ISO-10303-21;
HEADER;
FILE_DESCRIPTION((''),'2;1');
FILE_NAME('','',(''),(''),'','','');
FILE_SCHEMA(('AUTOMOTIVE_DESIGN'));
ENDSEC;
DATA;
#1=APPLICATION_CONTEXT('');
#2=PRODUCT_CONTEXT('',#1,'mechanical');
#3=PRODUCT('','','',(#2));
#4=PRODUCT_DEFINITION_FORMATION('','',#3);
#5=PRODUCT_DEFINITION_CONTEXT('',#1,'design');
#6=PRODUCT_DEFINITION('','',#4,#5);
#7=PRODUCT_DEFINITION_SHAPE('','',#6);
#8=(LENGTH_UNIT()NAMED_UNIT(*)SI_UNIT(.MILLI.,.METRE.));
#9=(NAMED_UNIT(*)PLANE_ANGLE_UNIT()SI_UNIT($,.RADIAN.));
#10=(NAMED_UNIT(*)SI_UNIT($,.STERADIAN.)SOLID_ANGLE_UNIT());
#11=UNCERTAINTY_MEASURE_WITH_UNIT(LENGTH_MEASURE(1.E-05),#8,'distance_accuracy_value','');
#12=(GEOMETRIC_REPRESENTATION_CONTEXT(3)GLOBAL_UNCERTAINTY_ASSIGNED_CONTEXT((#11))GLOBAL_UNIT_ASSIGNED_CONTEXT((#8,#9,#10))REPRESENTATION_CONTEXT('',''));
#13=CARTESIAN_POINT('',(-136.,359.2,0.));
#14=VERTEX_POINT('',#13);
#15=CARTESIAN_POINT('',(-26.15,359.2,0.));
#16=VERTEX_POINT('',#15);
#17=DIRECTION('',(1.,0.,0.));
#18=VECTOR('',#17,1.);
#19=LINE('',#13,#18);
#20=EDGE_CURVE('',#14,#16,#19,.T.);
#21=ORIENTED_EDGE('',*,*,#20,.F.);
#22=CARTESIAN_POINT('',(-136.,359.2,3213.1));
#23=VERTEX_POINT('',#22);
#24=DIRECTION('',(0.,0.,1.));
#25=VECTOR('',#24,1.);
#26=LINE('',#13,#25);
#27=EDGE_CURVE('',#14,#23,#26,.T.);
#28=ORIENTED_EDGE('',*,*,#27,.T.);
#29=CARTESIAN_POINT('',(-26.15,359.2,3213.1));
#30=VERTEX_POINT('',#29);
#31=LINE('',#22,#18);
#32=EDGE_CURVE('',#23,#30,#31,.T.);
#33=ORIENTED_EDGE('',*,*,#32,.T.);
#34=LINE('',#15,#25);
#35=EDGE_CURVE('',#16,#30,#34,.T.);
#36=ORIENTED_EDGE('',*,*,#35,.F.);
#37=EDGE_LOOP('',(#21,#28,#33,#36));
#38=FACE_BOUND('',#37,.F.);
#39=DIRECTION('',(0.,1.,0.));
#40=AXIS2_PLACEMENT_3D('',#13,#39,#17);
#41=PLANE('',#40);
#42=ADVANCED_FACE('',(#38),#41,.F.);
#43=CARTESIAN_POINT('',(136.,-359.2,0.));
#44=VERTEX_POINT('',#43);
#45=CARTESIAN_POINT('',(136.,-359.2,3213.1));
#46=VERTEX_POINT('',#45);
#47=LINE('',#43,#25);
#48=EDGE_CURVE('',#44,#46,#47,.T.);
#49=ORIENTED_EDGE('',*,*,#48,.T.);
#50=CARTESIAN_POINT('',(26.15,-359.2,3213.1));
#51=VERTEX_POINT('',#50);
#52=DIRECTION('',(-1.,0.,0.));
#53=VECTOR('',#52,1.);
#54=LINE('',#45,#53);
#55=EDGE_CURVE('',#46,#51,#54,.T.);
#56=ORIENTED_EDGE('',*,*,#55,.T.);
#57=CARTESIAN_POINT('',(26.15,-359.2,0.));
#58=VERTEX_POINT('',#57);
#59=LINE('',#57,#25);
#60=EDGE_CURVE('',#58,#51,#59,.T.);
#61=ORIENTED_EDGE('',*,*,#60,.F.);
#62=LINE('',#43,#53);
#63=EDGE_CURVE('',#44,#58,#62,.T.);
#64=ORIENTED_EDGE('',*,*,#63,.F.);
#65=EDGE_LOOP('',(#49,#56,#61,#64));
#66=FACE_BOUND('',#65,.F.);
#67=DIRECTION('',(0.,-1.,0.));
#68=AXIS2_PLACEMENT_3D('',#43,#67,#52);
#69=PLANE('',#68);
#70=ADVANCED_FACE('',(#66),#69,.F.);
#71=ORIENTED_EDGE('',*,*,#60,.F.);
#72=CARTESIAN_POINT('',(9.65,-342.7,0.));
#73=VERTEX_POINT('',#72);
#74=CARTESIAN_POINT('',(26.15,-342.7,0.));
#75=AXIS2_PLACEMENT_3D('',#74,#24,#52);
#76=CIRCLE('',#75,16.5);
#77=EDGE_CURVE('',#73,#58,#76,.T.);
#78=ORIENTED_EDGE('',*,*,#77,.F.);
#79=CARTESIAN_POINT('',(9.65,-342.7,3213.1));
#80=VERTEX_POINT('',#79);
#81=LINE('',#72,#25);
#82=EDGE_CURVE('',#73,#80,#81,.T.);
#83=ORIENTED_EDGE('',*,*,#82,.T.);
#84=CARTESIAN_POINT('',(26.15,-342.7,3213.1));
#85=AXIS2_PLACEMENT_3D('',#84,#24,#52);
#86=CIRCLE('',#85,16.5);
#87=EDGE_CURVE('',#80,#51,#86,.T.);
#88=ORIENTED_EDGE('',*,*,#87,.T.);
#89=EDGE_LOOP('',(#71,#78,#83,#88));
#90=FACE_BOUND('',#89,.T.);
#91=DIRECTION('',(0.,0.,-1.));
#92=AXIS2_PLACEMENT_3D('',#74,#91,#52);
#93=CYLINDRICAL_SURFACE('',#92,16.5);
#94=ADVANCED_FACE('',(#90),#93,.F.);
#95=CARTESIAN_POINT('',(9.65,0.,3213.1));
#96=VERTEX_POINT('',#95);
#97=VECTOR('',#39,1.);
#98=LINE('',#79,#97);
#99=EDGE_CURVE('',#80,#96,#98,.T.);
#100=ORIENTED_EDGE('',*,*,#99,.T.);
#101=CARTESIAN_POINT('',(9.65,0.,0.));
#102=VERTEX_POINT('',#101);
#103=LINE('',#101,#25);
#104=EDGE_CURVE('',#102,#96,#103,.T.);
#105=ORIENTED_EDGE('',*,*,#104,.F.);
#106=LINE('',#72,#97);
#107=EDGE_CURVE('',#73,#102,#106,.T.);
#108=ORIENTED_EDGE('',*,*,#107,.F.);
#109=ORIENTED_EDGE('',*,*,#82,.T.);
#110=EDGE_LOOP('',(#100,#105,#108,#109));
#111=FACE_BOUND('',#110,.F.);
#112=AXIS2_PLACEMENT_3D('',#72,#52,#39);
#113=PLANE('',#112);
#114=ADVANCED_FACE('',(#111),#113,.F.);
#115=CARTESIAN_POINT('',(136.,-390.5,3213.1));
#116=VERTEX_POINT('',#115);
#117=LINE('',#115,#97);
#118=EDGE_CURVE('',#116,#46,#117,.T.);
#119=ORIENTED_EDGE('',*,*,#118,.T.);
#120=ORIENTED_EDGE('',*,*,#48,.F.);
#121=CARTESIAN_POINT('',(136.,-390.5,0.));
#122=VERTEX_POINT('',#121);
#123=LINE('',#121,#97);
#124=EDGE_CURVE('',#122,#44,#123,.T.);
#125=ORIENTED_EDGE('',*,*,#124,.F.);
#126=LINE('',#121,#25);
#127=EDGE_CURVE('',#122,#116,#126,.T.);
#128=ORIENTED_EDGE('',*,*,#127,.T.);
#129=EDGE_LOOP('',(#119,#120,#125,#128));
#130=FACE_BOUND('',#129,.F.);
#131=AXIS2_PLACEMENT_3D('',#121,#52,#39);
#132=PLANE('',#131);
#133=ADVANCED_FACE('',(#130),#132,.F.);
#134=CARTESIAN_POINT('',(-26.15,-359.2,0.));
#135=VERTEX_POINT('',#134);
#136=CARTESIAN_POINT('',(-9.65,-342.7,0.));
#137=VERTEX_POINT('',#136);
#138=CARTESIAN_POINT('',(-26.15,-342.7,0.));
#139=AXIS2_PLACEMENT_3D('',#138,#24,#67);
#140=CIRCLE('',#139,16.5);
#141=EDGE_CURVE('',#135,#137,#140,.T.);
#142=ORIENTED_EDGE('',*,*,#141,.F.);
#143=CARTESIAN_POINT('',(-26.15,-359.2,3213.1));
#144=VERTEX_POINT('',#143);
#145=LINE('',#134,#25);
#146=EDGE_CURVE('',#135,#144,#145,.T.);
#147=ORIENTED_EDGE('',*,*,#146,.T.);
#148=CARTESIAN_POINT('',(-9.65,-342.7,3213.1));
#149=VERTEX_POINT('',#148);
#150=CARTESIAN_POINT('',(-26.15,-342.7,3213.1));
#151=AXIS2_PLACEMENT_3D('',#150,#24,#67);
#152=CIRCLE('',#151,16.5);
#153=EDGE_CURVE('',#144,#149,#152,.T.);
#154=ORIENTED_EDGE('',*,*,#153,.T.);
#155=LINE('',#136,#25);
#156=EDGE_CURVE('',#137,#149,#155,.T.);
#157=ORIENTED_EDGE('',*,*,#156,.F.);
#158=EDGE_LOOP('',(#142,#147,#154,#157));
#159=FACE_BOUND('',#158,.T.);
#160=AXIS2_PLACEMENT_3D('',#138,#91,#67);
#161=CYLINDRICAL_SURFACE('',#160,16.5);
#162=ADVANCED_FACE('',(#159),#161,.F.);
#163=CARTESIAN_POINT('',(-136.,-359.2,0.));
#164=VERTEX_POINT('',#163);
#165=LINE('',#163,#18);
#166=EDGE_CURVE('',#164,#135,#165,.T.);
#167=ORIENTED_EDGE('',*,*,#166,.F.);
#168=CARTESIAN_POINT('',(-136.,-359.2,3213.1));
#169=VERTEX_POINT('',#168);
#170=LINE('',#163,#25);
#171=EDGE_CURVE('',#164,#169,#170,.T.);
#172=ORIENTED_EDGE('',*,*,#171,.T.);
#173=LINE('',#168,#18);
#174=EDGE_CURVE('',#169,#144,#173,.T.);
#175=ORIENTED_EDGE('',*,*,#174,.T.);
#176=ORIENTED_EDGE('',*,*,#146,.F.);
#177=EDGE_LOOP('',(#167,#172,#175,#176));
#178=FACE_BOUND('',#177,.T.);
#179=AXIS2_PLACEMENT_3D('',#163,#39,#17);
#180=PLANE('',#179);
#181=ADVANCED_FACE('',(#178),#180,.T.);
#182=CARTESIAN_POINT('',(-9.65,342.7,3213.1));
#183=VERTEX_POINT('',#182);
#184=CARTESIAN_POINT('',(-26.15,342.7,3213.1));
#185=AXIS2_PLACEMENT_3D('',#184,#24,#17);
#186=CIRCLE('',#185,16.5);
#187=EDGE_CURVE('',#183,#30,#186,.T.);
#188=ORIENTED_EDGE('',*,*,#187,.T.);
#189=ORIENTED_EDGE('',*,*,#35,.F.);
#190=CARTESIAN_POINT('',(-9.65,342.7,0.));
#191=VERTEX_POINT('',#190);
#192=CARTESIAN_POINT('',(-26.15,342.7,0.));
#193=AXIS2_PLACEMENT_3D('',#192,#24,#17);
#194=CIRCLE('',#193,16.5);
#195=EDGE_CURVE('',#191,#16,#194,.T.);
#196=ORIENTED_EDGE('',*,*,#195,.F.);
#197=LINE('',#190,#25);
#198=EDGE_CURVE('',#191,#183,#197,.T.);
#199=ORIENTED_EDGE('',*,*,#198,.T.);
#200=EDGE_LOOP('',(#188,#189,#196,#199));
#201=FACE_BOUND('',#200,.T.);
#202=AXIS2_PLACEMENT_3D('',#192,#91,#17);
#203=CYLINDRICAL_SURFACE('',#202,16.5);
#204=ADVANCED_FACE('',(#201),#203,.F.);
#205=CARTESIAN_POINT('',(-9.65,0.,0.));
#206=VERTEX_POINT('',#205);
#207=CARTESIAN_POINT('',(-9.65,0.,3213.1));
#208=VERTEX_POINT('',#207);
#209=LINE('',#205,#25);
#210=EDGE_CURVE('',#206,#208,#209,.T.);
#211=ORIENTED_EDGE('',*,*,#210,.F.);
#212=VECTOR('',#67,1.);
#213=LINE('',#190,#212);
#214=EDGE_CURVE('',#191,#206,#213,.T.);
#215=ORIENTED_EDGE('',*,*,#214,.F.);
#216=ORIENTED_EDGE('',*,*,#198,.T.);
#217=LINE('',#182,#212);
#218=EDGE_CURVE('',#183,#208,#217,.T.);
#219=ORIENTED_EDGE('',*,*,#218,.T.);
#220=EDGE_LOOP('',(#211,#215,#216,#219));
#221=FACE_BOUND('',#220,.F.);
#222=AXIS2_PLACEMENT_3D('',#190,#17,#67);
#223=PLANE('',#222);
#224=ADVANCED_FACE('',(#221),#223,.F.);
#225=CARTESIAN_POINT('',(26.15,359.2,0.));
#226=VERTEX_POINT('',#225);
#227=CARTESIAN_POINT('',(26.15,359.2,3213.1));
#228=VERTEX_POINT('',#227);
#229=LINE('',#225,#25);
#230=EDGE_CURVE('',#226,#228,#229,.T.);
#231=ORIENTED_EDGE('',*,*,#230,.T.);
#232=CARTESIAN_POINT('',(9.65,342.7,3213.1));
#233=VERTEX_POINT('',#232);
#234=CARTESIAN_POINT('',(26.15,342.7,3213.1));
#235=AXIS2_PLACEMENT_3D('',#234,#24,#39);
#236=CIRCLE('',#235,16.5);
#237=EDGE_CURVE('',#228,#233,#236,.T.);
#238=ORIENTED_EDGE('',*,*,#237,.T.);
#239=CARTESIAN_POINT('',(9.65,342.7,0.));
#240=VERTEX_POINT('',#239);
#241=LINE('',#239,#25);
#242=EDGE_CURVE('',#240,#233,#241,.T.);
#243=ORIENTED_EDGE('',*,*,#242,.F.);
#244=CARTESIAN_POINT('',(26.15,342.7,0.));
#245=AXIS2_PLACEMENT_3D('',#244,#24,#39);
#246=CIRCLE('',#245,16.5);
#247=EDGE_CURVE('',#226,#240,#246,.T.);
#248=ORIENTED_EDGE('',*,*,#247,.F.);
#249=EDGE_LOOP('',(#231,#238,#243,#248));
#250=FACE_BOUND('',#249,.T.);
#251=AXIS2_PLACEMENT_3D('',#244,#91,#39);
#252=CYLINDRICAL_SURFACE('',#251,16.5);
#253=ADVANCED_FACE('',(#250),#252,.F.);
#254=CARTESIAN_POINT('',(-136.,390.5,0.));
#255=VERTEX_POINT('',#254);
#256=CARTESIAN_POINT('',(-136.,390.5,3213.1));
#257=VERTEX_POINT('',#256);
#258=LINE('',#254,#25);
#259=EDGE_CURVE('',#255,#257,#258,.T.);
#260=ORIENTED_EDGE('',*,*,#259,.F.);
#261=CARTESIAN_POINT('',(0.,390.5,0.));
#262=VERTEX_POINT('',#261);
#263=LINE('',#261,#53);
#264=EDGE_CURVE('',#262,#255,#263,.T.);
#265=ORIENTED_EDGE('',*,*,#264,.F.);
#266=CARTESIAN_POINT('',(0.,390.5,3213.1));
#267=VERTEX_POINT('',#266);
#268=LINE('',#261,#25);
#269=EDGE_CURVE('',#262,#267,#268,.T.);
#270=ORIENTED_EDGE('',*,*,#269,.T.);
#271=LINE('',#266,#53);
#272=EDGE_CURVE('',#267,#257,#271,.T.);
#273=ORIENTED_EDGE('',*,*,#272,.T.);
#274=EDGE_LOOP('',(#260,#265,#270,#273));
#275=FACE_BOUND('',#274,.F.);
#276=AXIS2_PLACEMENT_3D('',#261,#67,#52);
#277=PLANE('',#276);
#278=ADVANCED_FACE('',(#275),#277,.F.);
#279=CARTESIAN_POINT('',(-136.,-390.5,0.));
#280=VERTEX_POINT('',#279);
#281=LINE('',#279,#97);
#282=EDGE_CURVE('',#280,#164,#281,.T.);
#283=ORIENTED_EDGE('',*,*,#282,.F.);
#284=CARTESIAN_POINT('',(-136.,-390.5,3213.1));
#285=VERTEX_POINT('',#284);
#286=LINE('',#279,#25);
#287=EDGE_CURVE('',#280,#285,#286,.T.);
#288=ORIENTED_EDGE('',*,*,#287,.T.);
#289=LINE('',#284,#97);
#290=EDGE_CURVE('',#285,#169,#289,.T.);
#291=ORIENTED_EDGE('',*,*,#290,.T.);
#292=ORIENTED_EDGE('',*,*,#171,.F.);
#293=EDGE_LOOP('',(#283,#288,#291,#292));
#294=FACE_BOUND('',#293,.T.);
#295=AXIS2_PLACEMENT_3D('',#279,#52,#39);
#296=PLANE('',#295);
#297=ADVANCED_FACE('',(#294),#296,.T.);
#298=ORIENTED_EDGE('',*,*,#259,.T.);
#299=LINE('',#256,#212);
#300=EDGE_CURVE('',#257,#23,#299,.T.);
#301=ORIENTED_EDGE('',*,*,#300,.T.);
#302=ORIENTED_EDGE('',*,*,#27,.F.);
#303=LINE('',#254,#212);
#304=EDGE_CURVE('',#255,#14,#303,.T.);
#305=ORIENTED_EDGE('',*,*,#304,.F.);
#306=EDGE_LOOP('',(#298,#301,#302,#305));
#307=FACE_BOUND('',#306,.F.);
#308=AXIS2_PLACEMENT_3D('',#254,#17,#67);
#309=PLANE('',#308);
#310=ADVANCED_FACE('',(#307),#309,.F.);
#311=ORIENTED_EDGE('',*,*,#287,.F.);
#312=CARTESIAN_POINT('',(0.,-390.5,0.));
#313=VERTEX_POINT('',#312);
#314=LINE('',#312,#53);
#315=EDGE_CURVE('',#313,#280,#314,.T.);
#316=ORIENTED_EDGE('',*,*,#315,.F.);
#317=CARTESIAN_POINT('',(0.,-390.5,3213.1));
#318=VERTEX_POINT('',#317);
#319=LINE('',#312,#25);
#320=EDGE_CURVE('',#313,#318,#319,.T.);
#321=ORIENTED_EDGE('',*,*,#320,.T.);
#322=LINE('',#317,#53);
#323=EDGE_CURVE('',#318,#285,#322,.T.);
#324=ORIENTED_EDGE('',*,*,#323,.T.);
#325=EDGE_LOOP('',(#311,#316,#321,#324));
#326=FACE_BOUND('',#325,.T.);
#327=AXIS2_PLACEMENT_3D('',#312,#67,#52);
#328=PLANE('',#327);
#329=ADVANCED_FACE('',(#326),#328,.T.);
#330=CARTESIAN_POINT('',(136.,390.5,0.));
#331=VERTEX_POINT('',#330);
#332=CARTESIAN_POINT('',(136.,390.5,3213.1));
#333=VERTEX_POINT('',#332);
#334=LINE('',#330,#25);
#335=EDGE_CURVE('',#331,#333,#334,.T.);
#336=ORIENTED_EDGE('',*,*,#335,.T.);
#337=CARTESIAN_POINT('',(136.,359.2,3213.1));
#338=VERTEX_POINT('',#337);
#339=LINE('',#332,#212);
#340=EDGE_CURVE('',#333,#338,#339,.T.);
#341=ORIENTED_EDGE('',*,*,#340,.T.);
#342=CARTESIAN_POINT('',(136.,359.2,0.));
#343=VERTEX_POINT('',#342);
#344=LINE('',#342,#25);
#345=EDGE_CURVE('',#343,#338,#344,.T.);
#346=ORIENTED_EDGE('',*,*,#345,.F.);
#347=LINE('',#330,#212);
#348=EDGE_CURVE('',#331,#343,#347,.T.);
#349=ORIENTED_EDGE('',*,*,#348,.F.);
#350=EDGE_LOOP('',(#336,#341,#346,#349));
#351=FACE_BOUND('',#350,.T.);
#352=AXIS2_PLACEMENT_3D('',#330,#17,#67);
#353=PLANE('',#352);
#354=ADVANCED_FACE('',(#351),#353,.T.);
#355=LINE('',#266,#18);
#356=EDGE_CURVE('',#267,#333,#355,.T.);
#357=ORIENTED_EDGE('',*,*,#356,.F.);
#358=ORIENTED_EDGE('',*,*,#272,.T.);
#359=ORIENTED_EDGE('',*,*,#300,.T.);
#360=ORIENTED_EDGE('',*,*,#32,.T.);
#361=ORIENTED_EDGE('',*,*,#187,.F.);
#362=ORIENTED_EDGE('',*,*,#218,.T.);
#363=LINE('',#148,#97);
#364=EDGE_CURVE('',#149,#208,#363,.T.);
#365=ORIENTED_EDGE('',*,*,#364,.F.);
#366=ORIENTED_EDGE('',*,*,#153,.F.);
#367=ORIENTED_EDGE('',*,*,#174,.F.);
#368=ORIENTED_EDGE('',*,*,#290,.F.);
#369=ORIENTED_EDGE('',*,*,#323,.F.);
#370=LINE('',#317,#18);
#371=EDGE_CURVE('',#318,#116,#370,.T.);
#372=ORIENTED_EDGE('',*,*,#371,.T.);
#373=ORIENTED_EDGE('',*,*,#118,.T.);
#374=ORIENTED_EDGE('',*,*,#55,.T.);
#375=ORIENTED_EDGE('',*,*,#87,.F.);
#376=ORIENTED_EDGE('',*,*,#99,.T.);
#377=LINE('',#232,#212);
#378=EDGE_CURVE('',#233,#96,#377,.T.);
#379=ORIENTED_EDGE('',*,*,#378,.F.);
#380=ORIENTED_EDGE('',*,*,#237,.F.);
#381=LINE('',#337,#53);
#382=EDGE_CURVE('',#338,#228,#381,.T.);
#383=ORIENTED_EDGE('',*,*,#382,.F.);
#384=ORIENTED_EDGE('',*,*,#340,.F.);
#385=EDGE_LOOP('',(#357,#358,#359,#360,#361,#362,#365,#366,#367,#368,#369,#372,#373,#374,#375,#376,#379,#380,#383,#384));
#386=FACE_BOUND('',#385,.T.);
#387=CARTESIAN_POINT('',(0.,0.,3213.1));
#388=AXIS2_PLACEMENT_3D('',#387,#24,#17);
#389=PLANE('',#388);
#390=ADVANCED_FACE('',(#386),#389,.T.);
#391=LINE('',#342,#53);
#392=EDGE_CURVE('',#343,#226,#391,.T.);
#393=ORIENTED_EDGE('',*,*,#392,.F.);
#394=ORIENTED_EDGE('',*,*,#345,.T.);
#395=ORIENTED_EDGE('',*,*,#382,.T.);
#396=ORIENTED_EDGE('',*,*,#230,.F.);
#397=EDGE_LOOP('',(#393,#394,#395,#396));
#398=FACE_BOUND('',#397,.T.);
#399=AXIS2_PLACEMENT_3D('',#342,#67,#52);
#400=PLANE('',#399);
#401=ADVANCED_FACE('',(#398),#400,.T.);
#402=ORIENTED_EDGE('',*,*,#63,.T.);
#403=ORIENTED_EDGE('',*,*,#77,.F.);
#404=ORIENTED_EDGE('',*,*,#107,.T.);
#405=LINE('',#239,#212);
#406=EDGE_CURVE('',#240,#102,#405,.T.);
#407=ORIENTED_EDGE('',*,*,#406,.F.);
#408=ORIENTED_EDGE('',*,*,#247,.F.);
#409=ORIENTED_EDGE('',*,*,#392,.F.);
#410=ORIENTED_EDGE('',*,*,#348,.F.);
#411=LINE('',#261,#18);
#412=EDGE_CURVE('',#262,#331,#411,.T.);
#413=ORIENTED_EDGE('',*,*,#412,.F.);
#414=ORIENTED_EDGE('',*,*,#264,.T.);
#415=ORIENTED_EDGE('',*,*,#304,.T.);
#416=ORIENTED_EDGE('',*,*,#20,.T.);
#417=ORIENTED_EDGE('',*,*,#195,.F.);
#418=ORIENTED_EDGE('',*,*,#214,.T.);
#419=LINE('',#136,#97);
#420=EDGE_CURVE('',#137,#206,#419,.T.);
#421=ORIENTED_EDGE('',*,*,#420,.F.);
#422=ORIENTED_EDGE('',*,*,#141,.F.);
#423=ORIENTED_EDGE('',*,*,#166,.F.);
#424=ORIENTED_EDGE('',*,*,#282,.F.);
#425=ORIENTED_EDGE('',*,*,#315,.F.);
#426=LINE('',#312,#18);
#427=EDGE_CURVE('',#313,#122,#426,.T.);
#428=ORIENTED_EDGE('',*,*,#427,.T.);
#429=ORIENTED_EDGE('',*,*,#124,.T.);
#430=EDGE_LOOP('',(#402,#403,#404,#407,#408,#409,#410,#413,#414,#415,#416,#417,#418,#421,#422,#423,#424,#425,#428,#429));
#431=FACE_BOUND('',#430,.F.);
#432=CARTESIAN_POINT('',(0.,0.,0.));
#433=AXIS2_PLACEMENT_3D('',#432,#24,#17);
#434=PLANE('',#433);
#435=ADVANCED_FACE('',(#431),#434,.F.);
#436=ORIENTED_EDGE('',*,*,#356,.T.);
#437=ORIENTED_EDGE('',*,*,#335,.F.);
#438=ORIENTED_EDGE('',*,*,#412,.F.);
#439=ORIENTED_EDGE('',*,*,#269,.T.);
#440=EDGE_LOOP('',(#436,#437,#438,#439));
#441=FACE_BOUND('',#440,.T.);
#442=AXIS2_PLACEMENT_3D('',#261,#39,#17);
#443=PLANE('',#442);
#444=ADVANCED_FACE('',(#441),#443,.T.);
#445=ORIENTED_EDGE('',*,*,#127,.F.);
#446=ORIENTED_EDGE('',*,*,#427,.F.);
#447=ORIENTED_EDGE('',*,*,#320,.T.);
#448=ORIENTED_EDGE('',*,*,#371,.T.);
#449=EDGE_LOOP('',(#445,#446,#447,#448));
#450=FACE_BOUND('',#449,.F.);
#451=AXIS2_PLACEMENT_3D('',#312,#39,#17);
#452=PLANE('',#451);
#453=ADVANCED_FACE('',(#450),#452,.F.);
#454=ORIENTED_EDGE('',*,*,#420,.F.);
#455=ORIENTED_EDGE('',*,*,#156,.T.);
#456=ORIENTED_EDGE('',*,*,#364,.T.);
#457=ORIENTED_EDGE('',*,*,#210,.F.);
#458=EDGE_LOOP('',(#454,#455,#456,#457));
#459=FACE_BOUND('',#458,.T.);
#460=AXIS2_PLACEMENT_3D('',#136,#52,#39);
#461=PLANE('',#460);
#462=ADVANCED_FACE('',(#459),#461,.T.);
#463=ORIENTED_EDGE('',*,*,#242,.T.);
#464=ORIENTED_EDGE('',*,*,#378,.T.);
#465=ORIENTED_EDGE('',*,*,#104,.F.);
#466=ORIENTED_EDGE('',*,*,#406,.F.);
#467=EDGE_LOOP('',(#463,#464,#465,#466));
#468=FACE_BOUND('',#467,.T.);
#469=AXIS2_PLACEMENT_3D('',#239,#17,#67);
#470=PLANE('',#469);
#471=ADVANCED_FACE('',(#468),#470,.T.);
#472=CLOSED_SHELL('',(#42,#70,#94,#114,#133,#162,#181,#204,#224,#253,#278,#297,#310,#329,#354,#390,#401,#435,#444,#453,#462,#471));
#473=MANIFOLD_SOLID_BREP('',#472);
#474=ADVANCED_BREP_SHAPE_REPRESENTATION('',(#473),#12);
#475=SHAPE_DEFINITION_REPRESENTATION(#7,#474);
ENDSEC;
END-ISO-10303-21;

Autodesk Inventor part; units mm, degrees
ref_plane "YZ Plane" through (0, 0, 0) normal (1, 0, 0) x (0, 1, 0)
ref_plane "Start plane" through (0, 0, 0) normal (0, 0, 1) x (1, 0, 0)
ref_plane "End plane" through (0, 0, 3213.1) normal (0, 0, 1) x (1, 0, 0)
sketch "Sketch" plane through (0, 0, 0) normal (0, 0, 1) x (1, 0, 0)
  line L0 (-136, -390.5) -> (-136, -359.2)
  line L1 (-136, -359.2) -> (-26.15, -359.2)
  line L2 (-9.65, -342.7) -> (-9.65, 0)
  line L3 (-9.65, 0) -> (0, 0) construction
  line L4 (0, 0) -> (0, -390.5) construction
  line L5 (0, -390.5) -> (-136, -390.5)
  line L6 (-60, 0) -> (80, 0) construction
  line L7 (0, -60) -> (0, 80) construction
  line L8 (136, -390.5) -> (136, -359.2)
  line L9 (136, -359.2) -> (26.15, -359.2)
  line L10 (9.65, -342.7) -> (9.65, 0)
  line L11 (9.65, 0) -> (0, 0) construction
  line L12 (0, -390.5) -> (136, -390.5)
  line L13 (-136, 390.5) -> (-136, 359.2)
  line L14 (-136, 359.2) -> (-26.15, 359.2)
  line L15 (-9.65, 342.7) -> (-9.65, 0)
  line L16 (0, 390.5) -> (-136, 390.5)
  line L17 (136, 390.5) -> (136, 359.2)
  line L18 (136, 359.2) -> (26.15, 359.2)
  line L19 (0, 390.5) -> (136, 390.5)
  line L20 (9.65, 342.7) -> (9.65, 0)
  arc A0 (-9.65, 342.7) -> (-26.15, 359.2) centre (-26.15, 342.7) ccw
  arc A1 (26.15, 359.2) -> (9.65, 342.7) centre (26.15, 342.7) ccw
  arc A2 (9.65, -342.7) -> (26.15, -359.2) centre (26.15, -342.7) ccw
  arc A3 (-26.15, -359.2) -> (-9.65, -342.7) centre (-26.15, -342.7) ccw
  line L21 (0, 108) -> (0, -88) construction
  line L22 (-88, 0) -> (108, 0) construction
  point P0 (-9.65, -359.2)
  point P1 (9.65, -359.2)
  point P2 (-9.65, 359.2)
  point P3 (9.65, 359.2)
  dimension "d1" = 390.5
  dimension "d2" = 31.3
  dimension "d3" = 136
  dimension "d4" = 9.65
  dimension "d10" = 16.5
extrude "Body" add sketch "Sketch" along normal up to surface (3213.1 mm away) from surface at 0
sketch "Sketch4" plane through (0, 0, 0) normal (0, 0, 1) x (1, 0, 0)
  line L0 (0, 0) -> (10, 0)
ref_plane "Work Plane3" through (0, 0, 0) normal (0, -1, 0) x (1, 0, 0)
sketch "Sketch5" plane through (0, 0, 0) normal (0, -1, 0) x (1, 0, 0)
  line L0 (-2, 0) -> (12, 0) projected
  line L1 (-2, 3213.1) -> (12, 3213.1) projected
  dimension "d14" = 3213.1
equation "\"d1\" = 0.5 * G_H"
equation "\"d2\" = G_T1"
equation "\"d3\" = 0.5 * G_W"
equation "\"d4\" = 0.5 * G_T"
equation "\"d10\" = G_IR"
equation "\"d5\" = G_L"
equation "\"G_W\" = 272"
equation "\"G_H\" = 781"
equation "\"G_T\" = 19.3"
equation "\"G_T1\" = 31.3"
equation "\"G_IR\" = 16.5"
equation "\"G_L\" = d14"
equation "\"G_OFFSET_START\" = 0"
equation "\"G_OFFSET_END\" = 0"
equation "\"d12\" = G_OFFSET_END + B_L"
equation "\"B_L\" = 3213.1"
properties part number "AS 3679-1990 - 760 UB - 244 - 3213.1" material "Steel, Mild"
